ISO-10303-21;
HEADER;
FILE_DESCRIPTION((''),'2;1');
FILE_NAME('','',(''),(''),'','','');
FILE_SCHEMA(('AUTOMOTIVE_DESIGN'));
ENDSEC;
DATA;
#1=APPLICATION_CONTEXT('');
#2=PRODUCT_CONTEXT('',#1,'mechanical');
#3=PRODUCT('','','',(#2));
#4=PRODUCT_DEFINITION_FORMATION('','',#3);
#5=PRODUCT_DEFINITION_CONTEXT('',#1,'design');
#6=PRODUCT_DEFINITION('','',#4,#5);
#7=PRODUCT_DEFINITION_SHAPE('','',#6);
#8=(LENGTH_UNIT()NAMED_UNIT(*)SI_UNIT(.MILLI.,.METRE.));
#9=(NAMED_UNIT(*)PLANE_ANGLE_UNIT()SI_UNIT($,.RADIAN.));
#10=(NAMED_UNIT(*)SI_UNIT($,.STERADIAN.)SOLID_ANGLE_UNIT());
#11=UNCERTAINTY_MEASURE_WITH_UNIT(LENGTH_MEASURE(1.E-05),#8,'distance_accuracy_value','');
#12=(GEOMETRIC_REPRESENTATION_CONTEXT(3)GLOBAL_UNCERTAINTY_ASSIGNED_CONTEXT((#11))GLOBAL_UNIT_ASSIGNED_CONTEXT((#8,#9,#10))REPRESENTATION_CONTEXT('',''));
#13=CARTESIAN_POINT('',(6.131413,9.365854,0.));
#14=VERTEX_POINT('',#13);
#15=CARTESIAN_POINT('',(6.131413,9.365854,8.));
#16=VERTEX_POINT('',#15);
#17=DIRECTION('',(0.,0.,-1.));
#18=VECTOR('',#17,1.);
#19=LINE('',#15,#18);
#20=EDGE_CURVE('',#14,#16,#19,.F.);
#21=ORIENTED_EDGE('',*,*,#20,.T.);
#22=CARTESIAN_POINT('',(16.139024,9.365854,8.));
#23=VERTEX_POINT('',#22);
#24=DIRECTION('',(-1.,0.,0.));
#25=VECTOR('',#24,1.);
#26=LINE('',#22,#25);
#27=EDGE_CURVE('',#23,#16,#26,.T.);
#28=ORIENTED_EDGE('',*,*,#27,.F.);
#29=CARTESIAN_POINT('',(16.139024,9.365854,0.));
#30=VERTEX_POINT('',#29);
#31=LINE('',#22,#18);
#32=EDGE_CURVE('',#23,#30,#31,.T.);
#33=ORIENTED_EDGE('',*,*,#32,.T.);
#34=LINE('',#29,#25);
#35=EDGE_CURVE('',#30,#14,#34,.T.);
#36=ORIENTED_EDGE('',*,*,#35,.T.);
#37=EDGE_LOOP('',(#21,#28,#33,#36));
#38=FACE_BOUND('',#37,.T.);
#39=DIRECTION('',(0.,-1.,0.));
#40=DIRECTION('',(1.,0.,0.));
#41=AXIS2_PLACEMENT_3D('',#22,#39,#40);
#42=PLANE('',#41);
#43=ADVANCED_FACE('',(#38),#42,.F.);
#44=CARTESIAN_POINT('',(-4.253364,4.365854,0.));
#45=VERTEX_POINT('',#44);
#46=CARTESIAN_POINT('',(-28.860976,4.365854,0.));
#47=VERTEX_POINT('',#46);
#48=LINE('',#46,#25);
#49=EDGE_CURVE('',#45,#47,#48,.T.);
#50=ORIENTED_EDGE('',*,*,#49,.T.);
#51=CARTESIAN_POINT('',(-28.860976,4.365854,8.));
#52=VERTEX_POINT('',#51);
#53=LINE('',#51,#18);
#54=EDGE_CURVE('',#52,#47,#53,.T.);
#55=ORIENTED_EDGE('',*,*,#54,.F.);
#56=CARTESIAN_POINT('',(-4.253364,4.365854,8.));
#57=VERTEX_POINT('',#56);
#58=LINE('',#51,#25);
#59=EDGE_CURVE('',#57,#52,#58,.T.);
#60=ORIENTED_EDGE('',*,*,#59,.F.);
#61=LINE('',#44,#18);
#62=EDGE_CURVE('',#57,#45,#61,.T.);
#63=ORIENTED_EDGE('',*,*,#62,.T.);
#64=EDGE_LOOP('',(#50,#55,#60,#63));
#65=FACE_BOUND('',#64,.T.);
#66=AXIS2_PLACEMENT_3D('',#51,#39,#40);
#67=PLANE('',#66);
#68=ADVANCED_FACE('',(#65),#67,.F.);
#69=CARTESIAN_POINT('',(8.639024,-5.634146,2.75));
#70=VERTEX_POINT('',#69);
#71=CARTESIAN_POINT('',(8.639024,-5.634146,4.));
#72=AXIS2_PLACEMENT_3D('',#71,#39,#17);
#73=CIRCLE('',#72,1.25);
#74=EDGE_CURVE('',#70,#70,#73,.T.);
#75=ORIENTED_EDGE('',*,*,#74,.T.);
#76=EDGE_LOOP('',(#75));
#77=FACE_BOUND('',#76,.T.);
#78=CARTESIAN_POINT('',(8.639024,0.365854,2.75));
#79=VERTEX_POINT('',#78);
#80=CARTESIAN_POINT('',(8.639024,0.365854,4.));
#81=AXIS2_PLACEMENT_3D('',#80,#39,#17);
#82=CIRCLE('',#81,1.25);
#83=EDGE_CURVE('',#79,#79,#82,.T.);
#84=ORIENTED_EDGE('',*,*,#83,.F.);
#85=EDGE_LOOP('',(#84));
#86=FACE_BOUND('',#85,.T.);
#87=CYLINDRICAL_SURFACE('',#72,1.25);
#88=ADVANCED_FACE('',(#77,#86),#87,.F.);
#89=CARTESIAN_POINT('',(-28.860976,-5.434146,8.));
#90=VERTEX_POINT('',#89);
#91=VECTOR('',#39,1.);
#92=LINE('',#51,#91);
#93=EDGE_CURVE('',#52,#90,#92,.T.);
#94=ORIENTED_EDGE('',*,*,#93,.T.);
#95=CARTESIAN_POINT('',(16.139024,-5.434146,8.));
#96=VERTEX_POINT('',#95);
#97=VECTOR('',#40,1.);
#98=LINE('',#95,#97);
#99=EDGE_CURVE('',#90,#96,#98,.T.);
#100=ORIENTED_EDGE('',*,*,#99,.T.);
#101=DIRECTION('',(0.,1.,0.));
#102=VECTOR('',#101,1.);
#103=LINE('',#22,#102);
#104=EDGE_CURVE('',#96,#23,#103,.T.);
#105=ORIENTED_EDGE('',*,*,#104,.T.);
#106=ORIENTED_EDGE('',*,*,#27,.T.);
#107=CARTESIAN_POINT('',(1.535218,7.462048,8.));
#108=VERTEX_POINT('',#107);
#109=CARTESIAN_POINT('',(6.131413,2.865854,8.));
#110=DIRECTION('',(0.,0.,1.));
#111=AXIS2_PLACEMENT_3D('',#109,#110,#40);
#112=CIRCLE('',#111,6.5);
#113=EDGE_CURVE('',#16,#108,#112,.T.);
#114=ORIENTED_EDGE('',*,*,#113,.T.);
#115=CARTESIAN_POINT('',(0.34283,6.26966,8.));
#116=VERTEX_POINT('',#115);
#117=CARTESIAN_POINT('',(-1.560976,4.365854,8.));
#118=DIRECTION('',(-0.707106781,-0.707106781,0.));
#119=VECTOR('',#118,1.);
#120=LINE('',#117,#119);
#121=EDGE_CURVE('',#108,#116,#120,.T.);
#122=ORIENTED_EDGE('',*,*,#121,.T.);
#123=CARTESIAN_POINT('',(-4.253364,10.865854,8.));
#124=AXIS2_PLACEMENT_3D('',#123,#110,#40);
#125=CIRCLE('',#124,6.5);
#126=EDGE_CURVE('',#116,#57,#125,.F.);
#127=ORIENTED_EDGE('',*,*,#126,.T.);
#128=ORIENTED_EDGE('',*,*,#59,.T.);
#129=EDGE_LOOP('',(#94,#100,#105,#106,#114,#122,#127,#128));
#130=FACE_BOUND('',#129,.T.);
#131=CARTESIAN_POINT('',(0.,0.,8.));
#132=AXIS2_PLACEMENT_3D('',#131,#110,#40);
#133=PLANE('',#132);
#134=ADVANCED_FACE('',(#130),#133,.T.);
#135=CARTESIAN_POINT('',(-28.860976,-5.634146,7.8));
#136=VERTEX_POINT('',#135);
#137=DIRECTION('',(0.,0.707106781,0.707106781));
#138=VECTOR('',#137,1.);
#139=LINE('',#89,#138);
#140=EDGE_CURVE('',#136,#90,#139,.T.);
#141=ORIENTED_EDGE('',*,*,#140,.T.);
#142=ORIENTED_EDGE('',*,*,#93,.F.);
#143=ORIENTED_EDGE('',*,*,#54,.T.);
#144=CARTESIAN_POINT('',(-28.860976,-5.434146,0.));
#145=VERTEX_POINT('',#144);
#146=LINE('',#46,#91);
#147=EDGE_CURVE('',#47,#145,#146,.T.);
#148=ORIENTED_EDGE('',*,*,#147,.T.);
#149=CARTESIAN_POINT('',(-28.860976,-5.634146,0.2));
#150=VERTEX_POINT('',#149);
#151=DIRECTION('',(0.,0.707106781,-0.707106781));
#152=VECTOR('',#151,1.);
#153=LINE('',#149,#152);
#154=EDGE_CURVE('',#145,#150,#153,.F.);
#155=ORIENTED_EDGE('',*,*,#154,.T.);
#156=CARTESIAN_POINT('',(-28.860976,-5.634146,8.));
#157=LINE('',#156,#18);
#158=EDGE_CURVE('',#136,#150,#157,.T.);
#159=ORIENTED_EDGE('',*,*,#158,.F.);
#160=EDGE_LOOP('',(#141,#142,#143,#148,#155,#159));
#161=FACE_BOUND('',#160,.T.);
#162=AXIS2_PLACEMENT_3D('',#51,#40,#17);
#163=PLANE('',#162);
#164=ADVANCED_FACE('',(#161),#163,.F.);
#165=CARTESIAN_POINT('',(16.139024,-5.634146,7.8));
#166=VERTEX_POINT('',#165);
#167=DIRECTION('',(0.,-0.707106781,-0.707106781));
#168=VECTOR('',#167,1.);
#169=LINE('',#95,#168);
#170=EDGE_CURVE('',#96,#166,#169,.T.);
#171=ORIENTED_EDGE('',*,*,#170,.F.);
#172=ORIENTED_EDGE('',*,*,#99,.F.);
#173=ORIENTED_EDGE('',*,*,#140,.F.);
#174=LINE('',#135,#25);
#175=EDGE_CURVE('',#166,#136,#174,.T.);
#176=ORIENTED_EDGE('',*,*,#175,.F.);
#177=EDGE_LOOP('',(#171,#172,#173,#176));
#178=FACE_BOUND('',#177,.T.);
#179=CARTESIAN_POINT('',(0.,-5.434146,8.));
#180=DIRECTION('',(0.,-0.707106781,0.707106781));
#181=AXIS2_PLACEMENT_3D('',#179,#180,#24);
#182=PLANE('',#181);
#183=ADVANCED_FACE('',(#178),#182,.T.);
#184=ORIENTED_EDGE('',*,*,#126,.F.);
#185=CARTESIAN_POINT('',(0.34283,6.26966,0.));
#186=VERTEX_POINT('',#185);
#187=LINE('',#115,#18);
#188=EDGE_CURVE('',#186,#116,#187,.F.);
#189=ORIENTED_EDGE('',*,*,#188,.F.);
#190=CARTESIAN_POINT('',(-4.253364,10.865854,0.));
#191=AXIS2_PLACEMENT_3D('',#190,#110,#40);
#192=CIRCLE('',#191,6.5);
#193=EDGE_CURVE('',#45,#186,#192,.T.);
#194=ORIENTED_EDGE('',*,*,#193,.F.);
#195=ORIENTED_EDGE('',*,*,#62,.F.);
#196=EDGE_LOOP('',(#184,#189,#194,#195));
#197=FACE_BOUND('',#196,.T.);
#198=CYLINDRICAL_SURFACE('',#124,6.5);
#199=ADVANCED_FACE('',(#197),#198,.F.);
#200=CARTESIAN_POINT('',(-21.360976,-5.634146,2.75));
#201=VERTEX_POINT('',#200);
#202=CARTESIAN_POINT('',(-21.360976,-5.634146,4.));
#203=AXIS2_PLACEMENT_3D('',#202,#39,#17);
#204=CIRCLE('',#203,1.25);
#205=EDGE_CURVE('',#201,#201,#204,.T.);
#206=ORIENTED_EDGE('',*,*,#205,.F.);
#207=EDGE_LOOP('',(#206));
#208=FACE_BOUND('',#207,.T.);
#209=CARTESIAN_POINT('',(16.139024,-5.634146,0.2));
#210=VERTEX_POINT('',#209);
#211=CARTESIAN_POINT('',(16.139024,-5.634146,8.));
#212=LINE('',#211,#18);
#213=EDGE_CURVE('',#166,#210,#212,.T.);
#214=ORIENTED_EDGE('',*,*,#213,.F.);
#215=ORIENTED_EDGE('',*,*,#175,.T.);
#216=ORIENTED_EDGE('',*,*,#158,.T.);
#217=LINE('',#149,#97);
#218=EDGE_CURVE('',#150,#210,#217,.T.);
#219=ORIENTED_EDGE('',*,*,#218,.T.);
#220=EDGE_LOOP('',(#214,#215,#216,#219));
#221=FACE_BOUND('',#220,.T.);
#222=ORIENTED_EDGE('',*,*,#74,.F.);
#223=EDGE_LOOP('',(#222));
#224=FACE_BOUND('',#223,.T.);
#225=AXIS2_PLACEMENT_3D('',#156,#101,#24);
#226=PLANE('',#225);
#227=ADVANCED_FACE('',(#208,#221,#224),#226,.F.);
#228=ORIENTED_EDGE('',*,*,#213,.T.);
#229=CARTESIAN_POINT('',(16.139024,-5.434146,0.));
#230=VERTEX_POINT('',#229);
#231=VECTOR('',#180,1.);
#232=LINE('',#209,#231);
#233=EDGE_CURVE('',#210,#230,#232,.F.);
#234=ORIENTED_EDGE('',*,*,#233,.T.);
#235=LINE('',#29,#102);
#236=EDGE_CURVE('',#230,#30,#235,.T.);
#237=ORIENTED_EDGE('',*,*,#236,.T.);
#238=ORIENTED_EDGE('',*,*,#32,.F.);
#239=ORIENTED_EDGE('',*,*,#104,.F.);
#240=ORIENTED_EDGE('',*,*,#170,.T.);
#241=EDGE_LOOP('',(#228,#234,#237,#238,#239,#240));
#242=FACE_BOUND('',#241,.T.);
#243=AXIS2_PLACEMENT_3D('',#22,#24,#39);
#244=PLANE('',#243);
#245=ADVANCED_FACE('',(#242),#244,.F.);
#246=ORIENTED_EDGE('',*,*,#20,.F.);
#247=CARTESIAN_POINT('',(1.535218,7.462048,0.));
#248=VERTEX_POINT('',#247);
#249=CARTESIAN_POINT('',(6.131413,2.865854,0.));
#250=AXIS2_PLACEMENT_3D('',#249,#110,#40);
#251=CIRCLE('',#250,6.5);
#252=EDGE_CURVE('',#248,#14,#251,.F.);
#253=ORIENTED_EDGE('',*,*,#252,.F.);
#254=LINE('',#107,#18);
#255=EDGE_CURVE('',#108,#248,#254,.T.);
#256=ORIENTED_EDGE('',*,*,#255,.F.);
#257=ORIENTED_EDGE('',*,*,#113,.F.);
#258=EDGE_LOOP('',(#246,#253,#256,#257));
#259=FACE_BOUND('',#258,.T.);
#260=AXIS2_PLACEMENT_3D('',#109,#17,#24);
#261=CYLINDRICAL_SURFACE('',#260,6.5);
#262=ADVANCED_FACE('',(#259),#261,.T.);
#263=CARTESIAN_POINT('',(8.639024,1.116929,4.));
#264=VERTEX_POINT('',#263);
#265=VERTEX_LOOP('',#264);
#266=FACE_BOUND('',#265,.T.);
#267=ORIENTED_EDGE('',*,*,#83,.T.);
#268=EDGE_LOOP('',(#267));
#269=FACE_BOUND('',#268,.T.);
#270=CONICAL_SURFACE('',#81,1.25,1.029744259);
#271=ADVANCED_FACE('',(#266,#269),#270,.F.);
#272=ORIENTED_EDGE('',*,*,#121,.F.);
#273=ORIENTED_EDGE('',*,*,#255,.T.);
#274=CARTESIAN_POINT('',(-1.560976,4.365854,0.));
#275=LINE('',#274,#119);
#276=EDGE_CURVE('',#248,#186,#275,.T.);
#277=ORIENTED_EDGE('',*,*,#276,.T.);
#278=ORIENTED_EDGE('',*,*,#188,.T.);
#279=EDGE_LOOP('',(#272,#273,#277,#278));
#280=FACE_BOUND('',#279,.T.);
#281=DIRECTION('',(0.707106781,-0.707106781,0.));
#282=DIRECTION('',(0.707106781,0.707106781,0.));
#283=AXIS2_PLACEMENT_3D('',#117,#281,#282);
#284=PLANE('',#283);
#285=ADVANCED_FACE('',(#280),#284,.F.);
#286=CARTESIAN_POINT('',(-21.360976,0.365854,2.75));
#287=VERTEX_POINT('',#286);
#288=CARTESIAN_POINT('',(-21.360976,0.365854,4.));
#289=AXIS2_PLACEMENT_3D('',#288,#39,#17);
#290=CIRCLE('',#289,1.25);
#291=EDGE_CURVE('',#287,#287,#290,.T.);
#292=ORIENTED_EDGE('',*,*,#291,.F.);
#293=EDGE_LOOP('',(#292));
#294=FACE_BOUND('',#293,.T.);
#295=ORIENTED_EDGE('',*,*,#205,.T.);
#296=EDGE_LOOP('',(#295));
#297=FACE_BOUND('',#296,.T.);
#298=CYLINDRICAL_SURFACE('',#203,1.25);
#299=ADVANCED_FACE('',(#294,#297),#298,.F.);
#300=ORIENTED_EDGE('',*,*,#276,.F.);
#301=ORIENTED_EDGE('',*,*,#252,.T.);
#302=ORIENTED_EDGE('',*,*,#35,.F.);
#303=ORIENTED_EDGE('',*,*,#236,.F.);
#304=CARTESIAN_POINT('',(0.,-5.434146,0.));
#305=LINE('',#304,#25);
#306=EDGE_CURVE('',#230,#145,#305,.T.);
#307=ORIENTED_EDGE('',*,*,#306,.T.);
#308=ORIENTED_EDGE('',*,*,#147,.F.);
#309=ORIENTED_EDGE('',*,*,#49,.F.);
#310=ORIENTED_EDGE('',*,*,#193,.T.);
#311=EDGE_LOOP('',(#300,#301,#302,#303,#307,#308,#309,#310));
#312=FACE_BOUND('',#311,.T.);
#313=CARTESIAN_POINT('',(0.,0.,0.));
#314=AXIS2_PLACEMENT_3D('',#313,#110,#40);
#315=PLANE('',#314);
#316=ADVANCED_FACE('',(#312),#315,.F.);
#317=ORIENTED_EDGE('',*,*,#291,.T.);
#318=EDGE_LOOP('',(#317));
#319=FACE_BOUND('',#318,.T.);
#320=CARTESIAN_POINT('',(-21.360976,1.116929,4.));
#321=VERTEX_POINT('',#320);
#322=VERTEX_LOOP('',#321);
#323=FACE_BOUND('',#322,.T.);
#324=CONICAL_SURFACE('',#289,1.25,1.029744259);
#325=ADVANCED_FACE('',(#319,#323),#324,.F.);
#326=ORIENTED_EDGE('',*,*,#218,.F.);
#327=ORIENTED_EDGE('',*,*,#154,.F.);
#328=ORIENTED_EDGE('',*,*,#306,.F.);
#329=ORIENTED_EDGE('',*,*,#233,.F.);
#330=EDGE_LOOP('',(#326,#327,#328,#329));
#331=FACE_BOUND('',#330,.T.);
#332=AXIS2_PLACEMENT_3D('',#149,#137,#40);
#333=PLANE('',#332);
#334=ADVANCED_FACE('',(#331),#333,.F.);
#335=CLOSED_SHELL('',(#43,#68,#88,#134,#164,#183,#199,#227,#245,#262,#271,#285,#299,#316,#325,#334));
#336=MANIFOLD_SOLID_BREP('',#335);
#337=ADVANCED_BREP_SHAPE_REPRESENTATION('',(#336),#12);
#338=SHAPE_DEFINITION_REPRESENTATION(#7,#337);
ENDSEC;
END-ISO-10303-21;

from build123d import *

# Parameters (mm, degrees)
BOSS_EXTRUDE1_DEPTH   = 8
FILLET1_R             = 6.5
CHAMFER1_SIZE         = 0.2
M3_TAPPED_HOLE1_D     = 2.5
M3_TAPPED_HOLE1_DEPTH = 6
M3_TAPPED_HOLE1_TIP   = 0.751075774


with BuildPart() as part:
    # Sketch1 → Boss-Extrude1 (new body)
    with BuildSketch(Plane.XY):
        Polygon((-1.56097561, 4.365853659), (3.43902439, 9.365853659), (16.13902439, 9.365853659), (16.13902439, -5.634146341), (-28.86097561, -5.634146341), (-28.86097561, 4.365853659), align=None)
    extrude(amount=BOSS_EXTRUDE1_DEPTH)

    # Fillet1
    fillet1_edges = [part.edges().sort_by_distance(p)[0] for p in [
        (-1.56097561, 4.365853659, 4),
        (3.43902439, 9.365853659, 4),
    ]]
    fillet(fillet1_edges, radius=FILLET1_R)

    # Chamfer1
    chamfer1_edges = [part.edges().sort_by_distance(p)[0] for p in [
        (-6.36097561, -5.634146341, 8),
        (-6.36097561, -5.634146341, 0),
    ]]
    chamfer(chamfer1_edges, length=CHAMFER1_SIZE)

    # M3 Tapped Hole1
    with Locations(Plane(origin=(0, -5.634146341, 0), x_dir=(-1, 0, 0), z_dir=(0, -1, 0))):
        with Locations((21.36097561, -4), (-8.63902439, -4)):
            Hole(M3_TAPPED_HOLE1_D / 2, depth=M3_TAPPED_HOLE1_DEPTH)
            with Locations((0, 0, -(M3_TAPPED_HOLE1_DEPTH + M3_TAPPED_HOLE1_TIP / 2))):  # 118° drill point
                Cone(0, M3_TAPPED_HOLE1_D / 2, M3_TAPPED_HOLE1_TIP, mode=Mode.SUBTRACT)


solid = part.part
